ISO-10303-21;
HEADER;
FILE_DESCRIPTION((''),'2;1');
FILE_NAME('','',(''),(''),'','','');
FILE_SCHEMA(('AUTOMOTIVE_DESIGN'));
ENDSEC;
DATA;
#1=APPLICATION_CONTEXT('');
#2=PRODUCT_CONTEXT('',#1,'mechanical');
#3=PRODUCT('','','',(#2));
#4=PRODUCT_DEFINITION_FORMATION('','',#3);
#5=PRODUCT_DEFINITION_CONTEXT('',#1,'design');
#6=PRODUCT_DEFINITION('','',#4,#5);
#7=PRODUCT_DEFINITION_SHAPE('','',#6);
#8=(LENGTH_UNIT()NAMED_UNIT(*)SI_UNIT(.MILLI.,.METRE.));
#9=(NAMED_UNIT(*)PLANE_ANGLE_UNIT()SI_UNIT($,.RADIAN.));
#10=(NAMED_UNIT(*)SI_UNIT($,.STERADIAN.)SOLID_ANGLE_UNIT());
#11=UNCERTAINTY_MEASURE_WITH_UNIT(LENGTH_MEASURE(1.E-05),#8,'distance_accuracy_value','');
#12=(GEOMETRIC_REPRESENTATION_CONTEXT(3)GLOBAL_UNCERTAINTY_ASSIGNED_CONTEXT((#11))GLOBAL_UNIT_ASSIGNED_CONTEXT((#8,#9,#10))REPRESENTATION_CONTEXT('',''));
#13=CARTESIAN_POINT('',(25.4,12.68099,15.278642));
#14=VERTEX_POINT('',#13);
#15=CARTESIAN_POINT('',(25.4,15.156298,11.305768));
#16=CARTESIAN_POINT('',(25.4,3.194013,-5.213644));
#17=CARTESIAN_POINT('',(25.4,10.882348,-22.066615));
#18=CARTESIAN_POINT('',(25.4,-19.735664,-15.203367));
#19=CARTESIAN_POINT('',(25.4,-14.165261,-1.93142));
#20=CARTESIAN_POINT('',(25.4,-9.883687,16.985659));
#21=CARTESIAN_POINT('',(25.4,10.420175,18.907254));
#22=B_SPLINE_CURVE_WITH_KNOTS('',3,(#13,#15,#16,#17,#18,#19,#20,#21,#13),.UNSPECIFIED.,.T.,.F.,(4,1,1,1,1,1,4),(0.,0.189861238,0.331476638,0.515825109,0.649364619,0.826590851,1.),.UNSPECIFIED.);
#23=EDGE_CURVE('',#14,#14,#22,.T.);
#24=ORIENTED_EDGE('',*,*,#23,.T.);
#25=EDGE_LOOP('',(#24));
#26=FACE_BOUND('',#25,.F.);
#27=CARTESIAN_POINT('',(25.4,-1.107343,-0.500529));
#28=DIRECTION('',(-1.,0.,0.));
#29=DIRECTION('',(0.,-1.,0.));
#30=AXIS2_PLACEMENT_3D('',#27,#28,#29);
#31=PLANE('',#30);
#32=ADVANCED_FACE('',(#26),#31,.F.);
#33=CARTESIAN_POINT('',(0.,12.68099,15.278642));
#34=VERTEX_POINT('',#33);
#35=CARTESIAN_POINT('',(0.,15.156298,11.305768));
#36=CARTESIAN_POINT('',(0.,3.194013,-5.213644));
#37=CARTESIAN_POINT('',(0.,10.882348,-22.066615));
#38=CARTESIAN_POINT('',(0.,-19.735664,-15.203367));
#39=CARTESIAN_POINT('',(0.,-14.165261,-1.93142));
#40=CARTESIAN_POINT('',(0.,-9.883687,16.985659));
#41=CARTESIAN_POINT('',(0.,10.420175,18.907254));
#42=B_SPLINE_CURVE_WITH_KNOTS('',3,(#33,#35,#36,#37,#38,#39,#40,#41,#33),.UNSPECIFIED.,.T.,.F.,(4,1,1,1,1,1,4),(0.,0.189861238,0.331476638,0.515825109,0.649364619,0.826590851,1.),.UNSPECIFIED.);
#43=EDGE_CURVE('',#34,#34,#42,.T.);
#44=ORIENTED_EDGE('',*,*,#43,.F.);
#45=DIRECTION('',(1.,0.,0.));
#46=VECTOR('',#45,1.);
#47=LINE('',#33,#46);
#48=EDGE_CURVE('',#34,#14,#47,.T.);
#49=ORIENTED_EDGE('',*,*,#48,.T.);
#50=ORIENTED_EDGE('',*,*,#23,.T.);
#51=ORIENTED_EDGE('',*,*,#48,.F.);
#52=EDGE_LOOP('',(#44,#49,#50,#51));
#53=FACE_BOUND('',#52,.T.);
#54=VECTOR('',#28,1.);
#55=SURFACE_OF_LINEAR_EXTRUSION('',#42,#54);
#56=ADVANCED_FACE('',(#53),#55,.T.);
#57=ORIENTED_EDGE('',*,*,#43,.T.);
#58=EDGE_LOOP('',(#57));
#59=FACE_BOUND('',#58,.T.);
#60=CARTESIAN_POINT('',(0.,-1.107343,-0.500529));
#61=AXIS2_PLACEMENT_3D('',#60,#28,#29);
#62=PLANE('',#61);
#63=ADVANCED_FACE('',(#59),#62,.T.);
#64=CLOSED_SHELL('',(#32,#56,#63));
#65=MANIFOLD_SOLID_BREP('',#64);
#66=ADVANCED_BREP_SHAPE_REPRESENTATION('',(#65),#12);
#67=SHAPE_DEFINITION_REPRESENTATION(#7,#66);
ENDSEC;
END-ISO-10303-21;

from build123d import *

# Parameters (mm, degrees)
F1_DEPTH = 25.4


with BuildPart() as f1:
    # F0 (on Right) → F1 (new body)
    with BuildSketch(Plane.YZ):
        with BuildLine():
            add(Edge.make_bspline(
                [(12.6809896901, 15.2786420923), (15.1562976538, 11.3057675585), (3.1940132254, -5.2136437136), (10.882348421, -22.0666146958), (-19.7356642864, -15.2033672605), (-14.1652614199, -1.9314203157), (-9.8836873263, 16.9856587425), (10.4201751416, 18.9072542398), (12.6809896901, 15.2786420923)],
                knots=[0, 0, 0, 0, 0.1898612376, 0.331476638, 0.5158251093, 0.6493646186, 0.8265908507, 1, 1, 1, 1], degree=3))
        make_face()
    extrude(amount=F1_DEPTH)


solid = f1.part
